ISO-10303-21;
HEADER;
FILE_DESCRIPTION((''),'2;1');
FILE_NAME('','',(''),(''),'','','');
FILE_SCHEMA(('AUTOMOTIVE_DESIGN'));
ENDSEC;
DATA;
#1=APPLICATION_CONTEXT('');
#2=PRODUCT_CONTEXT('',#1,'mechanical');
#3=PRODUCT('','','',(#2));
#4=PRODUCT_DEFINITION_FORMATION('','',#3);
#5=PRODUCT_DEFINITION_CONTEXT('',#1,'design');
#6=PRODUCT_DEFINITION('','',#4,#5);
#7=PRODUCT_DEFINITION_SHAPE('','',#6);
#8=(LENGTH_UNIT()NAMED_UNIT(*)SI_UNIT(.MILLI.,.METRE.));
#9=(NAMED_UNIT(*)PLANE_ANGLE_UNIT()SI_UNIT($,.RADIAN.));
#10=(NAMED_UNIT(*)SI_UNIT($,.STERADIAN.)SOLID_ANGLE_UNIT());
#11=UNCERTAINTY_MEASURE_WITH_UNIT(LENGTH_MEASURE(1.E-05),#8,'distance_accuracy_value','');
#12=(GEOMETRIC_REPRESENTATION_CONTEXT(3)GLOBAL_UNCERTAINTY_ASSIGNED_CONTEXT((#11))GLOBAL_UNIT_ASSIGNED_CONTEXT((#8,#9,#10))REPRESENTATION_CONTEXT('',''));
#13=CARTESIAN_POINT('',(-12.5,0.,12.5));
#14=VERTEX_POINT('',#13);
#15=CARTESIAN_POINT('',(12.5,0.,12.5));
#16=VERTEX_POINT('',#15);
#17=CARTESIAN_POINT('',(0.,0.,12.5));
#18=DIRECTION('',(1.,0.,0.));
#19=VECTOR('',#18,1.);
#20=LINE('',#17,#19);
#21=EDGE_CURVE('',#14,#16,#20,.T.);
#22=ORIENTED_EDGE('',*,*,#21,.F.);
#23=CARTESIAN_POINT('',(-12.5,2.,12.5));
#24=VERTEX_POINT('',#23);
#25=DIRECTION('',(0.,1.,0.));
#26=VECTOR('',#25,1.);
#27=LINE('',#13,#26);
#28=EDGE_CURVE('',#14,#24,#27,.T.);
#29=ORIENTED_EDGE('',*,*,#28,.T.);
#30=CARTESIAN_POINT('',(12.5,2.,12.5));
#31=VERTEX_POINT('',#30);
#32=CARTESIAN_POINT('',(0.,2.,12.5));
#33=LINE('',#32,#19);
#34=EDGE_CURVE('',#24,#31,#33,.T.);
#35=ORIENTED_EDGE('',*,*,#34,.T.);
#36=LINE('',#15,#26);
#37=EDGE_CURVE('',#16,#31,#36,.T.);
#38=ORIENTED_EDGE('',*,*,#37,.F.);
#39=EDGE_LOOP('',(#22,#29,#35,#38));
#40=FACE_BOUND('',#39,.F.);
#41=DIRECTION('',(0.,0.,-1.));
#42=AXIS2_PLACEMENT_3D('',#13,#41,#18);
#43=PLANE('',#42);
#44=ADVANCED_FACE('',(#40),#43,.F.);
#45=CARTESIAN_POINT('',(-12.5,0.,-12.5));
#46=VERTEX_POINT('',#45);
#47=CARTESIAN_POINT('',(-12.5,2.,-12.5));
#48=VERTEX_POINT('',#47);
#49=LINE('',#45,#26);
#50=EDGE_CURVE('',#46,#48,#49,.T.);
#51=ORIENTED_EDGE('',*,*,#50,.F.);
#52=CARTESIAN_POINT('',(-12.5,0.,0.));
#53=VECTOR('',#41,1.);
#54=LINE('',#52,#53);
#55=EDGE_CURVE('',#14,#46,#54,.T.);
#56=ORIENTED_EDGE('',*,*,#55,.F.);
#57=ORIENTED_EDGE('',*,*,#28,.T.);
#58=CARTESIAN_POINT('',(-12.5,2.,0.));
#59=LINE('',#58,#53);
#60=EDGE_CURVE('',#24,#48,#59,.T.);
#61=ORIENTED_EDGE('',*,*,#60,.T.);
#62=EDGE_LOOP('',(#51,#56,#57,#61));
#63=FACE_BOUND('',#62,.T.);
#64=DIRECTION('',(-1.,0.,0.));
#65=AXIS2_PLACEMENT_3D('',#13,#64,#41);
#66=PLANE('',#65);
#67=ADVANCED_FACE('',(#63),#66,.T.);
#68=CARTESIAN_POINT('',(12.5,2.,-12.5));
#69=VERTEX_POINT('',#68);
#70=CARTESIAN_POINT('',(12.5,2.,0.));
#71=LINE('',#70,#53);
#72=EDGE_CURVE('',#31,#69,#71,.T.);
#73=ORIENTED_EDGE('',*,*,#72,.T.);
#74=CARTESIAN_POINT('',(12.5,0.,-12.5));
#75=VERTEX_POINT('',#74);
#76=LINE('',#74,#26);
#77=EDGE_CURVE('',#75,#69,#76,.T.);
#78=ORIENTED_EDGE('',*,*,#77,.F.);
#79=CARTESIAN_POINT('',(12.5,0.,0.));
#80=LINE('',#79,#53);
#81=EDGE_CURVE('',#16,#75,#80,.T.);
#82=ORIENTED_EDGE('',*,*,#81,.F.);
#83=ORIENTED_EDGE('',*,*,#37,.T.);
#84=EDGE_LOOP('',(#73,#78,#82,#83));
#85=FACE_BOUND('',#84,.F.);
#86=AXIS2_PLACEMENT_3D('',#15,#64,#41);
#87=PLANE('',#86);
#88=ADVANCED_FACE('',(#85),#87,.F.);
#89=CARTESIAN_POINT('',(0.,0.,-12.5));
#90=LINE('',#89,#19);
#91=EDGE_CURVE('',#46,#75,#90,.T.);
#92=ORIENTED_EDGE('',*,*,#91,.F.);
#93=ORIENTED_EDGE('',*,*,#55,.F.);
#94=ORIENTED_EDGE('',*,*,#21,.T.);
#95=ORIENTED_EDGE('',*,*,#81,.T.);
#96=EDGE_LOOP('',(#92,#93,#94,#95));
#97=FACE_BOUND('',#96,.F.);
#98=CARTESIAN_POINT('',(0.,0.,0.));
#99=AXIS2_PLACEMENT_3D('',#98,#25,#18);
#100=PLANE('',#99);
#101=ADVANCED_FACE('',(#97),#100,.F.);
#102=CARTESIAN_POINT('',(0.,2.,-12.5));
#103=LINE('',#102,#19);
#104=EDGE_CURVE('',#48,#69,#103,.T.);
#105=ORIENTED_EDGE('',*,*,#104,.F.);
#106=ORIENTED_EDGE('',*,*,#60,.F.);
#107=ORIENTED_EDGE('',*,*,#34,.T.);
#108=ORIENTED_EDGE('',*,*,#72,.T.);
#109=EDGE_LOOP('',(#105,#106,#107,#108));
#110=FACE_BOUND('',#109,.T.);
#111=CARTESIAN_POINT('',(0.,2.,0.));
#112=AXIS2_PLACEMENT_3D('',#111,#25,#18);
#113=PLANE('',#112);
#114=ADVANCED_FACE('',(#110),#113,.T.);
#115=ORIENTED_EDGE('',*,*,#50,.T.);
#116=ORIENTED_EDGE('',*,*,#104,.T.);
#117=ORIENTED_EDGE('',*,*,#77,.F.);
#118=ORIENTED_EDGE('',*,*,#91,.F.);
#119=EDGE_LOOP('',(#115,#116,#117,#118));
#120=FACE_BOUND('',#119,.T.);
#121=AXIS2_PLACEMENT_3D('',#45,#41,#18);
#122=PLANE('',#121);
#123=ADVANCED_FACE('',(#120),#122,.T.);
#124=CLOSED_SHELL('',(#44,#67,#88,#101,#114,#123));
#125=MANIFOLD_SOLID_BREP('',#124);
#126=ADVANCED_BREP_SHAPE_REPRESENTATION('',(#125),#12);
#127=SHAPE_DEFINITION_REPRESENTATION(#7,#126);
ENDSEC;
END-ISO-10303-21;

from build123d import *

# Parameters (mm, degrees)
SKETCH_1_W      = 25
SKETCH_1_H      = 25
EXTRUDE_1_DEPTH = 2


with BuildPart() as part:
    # 草图1 → 凸台-拉伸1 (new body)
    with BuildSketch(Plane(origin=(0, 0, 0), x_dir=(1, 0, 0), z_dir=(0, 1, 0))):
        Rectangle(SKETCH_1_W, SKETCH_1_H)
    extrude(amount=EXTRUDE_1_DEPTH)


solid = part.part
